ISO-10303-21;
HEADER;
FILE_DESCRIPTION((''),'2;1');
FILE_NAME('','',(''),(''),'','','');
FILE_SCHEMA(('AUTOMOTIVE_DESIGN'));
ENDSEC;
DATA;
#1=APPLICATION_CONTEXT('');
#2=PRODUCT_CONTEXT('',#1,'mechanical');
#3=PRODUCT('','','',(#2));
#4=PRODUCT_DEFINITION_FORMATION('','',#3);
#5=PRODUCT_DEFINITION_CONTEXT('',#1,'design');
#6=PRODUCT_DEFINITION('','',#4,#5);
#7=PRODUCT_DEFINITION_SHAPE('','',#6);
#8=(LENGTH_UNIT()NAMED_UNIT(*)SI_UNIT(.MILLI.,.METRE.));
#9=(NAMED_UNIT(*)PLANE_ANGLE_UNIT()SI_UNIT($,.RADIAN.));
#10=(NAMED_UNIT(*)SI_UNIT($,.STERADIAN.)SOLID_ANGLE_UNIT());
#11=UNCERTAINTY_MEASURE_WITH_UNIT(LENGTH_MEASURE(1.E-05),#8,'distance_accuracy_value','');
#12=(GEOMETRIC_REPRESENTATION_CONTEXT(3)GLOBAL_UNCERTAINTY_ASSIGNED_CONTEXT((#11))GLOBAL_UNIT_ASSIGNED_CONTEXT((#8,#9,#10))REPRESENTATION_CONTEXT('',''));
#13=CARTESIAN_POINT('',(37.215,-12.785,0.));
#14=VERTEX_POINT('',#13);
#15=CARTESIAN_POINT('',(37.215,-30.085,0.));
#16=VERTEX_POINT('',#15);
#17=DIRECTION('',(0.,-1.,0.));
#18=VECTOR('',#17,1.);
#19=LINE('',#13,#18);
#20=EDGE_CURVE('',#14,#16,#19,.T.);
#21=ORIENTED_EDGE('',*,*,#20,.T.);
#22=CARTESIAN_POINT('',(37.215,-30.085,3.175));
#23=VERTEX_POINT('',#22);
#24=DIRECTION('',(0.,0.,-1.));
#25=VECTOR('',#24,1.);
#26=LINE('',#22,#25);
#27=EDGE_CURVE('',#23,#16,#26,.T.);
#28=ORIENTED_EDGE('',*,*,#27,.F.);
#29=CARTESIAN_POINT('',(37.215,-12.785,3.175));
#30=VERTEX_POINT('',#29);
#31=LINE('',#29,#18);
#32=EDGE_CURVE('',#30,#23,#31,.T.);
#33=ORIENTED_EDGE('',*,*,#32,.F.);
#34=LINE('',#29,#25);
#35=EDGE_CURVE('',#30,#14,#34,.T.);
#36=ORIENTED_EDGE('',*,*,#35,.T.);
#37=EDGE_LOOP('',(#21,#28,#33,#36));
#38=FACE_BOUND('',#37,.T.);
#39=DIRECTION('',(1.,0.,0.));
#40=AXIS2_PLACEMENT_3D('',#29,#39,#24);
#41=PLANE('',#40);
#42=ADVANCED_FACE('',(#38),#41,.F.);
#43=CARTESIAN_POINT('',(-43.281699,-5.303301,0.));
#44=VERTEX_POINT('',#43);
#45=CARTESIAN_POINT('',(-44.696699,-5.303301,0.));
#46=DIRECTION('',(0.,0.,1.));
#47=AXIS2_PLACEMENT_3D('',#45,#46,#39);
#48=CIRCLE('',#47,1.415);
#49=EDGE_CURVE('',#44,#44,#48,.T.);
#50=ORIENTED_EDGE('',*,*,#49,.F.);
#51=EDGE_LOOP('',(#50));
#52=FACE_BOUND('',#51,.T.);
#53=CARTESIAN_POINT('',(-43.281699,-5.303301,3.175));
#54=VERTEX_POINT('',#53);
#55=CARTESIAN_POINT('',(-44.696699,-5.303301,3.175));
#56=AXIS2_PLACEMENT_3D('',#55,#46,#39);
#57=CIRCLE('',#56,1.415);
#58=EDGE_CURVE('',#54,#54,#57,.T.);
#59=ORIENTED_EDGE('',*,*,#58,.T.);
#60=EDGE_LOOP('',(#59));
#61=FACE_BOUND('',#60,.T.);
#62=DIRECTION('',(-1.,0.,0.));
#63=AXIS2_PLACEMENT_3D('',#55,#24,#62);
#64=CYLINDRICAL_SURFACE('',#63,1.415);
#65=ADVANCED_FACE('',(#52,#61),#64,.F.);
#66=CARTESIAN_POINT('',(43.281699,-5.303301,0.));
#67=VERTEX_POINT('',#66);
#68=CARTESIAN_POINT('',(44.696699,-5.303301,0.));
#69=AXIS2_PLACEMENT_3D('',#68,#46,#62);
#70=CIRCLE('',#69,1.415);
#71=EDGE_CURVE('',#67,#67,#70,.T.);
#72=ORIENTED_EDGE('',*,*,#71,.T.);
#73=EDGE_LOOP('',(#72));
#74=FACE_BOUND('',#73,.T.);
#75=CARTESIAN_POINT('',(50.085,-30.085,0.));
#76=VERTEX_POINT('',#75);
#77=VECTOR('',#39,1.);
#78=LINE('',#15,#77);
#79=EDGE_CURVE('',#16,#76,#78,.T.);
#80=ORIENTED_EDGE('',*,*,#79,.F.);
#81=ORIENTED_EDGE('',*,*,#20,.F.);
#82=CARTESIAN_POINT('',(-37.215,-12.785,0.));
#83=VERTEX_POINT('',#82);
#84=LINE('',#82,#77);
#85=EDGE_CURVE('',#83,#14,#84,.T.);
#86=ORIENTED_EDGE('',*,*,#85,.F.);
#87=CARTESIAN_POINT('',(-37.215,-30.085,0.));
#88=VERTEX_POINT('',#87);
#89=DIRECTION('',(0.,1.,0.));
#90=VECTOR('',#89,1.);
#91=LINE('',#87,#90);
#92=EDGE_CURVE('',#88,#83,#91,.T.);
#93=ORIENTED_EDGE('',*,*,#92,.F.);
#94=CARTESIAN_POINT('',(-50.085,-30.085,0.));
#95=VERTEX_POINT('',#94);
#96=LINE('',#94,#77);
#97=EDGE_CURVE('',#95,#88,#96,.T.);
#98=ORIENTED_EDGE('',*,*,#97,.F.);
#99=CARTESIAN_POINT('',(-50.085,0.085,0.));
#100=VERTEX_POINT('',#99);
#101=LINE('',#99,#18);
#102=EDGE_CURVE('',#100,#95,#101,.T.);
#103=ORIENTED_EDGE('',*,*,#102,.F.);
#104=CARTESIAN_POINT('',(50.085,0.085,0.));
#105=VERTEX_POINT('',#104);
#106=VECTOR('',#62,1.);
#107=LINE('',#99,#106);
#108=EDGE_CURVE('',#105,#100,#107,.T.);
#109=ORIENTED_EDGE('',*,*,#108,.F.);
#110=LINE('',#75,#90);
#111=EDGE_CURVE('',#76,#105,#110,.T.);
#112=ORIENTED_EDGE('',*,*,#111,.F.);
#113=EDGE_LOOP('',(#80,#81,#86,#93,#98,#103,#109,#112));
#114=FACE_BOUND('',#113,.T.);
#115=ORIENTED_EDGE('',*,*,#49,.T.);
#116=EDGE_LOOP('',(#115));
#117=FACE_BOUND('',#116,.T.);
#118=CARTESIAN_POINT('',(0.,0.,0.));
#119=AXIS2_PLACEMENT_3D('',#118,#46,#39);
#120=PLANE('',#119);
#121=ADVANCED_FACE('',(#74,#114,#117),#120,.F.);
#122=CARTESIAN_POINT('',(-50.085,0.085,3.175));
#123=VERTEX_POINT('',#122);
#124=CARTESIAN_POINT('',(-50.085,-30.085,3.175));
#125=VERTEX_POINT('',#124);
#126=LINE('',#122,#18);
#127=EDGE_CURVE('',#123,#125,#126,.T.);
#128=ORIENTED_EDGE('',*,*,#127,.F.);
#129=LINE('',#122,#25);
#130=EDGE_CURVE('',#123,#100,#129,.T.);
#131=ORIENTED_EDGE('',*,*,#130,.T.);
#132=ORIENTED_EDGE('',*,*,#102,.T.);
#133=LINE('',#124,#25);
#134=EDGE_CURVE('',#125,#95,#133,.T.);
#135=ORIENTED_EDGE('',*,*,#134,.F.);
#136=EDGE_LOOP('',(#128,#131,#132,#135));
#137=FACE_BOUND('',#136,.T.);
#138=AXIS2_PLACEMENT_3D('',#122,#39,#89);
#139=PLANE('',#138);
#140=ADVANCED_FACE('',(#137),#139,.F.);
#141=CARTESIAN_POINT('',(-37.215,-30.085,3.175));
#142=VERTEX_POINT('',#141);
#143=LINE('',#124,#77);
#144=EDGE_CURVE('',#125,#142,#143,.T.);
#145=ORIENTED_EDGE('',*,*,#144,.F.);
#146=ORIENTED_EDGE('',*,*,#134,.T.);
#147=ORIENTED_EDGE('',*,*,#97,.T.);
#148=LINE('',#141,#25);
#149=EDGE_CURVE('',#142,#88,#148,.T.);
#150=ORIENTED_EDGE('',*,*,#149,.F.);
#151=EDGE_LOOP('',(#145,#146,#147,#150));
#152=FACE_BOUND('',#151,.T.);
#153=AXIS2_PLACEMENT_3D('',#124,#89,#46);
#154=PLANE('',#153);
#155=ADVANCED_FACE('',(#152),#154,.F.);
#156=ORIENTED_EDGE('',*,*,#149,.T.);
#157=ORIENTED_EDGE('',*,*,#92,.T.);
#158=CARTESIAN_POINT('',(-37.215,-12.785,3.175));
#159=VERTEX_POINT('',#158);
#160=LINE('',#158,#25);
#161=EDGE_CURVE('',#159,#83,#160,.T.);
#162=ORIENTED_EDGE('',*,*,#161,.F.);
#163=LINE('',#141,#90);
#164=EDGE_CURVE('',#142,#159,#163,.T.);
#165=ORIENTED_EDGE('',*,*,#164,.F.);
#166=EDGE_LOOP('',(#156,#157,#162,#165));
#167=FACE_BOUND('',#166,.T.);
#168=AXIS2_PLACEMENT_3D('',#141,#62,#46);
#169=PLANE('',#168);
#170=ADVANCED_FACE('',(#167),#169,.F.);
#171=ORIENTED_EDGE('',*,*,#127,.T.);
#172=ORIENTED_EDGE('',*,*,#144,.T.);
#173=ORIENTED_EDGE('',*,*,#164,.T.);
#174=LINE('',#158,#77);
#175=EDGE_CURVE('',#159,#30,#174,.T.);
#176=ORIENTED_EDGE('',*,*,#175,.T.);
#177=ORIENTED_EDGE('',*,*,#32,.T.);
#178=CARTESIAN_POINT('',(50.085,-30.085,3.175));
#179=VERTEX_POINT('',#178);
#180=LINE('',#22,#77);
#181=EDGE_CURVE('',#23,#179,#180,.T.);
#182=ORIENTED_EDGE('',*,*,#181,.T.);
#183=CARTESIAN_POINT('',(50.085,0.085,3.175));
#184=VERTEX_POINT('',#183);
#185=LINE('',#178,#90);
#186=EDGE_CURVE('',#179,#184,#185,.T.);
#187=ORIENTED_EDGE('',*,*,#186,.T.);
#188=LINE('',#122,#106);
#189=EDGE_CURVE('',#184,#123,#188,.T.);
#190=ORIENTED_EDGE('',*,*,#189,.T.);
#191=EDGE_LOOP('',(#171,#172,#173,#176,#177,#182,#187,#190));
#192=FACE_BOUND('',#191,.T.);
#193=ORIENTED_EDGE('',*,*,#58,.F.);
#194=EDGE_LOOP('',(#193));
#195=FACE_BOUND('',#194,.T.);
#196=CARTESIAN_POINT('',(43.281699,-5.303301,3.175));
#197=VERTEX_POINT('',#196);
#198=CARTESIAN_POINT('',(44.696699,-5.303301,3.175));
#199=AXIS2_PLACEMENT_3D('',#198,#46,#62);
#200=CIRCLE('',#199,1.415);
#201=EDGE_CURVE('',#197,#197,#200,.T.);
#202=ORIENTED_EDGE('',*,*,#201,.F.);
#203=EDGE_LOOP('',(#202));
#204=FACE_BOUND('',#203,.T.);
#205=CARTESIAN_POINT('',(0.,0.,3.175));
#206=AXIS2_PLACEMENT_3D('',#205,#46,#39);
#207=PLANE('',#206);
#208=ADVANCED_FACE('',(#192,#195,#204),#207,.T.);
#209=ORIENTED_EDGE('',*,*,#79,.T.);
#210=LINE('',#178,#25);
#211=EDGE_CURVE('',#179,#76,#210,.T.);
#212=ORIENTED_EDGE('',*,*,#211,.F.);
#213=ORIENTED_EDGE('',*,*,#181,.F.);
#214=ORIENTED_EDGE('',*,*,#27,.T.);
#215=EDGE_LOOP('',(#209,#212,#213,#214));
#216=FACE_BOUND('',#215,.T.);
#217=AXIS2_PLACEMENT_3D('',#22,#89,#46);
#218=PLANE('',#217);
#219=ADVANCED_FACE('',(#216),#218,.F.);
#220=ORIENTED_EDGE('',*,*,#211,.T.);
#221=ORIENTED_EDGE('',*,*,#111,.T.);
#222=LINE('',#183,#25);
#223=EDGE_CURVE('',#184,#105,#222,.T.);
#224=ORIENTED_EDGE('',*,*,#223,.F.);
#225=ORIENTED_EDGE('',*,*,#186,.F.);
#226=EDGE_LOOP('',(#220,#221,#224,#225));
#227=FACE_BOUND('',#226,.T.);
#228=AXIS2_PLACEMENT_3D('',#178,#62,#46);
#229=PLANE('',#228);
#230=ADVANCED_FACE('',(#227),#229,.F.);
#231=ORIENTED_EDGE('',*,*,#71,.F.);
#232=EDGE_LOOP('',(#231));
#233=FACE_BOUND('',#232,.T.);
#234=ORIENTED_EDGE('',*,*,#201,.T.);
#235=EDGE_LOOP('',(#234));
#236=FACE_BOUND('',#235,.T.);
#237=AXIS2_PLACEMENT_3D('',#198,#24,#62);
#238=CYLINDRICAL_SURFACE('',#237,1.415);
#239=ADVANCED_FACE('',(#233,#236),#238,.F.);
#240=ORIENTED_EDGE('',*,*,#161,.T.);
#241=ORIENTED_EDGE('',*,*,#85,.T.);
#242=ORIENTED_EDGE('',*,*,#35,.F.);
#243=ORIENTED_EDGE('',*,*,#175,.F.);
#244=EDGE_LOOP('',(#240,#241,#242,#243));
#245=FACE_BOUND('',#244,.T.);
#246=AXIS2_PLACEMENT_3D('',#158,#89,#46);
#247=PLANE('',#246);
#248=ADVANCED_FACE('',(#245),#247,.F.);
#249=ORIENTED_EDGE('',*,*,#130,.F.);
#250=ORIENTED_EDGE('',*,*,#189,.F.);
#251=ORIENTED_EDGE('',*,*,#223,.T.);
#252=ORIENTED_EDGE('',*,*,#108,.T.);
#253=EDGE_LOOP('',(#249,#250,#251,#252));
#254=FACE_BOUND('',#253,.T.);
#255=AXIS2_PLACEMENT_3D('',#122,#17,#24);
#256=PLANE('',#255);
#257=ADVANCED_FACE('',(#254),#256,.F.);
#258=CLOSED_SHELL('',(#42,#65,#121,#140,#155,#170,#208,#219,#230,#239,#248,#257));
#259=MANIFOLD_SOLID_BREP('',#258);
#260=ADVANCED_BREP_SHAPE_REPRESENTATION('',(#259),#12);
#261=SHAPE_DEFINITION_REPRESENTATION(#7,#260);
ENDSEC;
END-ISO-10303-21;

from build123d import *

# Parameters (mm, degrees)
SKETCH1_R           = 1.415
BOSS_EXTRUDE1_DEPTH = 3.175


with BuildPart() as part:
    # Sketch1 → Boss-Extrude1 (new body)
    with BuildSketch(Plane.XY):
        Polygon((50.085, -30.085), (50.085, 0.085), (-50.085, 0.085), (-50.085, -30.085), (-37.215, -30.085), (-37.215, -12.785), (37.215, -12.785), (37.215, -30.085), align=None)
        with Locations((-44.696699141, -5.303300859)):
            Circle(SKETCH1_R, mode=Mode.SUBTRACT)
        with Locations((44.696699141, -5.303300859)):
            Circle(SKETCH1_R, mode=Mode.SUBTRACT)
    extrude(amount=BOSS_EXTRUDE1_DEPTH)


solid = part.part
